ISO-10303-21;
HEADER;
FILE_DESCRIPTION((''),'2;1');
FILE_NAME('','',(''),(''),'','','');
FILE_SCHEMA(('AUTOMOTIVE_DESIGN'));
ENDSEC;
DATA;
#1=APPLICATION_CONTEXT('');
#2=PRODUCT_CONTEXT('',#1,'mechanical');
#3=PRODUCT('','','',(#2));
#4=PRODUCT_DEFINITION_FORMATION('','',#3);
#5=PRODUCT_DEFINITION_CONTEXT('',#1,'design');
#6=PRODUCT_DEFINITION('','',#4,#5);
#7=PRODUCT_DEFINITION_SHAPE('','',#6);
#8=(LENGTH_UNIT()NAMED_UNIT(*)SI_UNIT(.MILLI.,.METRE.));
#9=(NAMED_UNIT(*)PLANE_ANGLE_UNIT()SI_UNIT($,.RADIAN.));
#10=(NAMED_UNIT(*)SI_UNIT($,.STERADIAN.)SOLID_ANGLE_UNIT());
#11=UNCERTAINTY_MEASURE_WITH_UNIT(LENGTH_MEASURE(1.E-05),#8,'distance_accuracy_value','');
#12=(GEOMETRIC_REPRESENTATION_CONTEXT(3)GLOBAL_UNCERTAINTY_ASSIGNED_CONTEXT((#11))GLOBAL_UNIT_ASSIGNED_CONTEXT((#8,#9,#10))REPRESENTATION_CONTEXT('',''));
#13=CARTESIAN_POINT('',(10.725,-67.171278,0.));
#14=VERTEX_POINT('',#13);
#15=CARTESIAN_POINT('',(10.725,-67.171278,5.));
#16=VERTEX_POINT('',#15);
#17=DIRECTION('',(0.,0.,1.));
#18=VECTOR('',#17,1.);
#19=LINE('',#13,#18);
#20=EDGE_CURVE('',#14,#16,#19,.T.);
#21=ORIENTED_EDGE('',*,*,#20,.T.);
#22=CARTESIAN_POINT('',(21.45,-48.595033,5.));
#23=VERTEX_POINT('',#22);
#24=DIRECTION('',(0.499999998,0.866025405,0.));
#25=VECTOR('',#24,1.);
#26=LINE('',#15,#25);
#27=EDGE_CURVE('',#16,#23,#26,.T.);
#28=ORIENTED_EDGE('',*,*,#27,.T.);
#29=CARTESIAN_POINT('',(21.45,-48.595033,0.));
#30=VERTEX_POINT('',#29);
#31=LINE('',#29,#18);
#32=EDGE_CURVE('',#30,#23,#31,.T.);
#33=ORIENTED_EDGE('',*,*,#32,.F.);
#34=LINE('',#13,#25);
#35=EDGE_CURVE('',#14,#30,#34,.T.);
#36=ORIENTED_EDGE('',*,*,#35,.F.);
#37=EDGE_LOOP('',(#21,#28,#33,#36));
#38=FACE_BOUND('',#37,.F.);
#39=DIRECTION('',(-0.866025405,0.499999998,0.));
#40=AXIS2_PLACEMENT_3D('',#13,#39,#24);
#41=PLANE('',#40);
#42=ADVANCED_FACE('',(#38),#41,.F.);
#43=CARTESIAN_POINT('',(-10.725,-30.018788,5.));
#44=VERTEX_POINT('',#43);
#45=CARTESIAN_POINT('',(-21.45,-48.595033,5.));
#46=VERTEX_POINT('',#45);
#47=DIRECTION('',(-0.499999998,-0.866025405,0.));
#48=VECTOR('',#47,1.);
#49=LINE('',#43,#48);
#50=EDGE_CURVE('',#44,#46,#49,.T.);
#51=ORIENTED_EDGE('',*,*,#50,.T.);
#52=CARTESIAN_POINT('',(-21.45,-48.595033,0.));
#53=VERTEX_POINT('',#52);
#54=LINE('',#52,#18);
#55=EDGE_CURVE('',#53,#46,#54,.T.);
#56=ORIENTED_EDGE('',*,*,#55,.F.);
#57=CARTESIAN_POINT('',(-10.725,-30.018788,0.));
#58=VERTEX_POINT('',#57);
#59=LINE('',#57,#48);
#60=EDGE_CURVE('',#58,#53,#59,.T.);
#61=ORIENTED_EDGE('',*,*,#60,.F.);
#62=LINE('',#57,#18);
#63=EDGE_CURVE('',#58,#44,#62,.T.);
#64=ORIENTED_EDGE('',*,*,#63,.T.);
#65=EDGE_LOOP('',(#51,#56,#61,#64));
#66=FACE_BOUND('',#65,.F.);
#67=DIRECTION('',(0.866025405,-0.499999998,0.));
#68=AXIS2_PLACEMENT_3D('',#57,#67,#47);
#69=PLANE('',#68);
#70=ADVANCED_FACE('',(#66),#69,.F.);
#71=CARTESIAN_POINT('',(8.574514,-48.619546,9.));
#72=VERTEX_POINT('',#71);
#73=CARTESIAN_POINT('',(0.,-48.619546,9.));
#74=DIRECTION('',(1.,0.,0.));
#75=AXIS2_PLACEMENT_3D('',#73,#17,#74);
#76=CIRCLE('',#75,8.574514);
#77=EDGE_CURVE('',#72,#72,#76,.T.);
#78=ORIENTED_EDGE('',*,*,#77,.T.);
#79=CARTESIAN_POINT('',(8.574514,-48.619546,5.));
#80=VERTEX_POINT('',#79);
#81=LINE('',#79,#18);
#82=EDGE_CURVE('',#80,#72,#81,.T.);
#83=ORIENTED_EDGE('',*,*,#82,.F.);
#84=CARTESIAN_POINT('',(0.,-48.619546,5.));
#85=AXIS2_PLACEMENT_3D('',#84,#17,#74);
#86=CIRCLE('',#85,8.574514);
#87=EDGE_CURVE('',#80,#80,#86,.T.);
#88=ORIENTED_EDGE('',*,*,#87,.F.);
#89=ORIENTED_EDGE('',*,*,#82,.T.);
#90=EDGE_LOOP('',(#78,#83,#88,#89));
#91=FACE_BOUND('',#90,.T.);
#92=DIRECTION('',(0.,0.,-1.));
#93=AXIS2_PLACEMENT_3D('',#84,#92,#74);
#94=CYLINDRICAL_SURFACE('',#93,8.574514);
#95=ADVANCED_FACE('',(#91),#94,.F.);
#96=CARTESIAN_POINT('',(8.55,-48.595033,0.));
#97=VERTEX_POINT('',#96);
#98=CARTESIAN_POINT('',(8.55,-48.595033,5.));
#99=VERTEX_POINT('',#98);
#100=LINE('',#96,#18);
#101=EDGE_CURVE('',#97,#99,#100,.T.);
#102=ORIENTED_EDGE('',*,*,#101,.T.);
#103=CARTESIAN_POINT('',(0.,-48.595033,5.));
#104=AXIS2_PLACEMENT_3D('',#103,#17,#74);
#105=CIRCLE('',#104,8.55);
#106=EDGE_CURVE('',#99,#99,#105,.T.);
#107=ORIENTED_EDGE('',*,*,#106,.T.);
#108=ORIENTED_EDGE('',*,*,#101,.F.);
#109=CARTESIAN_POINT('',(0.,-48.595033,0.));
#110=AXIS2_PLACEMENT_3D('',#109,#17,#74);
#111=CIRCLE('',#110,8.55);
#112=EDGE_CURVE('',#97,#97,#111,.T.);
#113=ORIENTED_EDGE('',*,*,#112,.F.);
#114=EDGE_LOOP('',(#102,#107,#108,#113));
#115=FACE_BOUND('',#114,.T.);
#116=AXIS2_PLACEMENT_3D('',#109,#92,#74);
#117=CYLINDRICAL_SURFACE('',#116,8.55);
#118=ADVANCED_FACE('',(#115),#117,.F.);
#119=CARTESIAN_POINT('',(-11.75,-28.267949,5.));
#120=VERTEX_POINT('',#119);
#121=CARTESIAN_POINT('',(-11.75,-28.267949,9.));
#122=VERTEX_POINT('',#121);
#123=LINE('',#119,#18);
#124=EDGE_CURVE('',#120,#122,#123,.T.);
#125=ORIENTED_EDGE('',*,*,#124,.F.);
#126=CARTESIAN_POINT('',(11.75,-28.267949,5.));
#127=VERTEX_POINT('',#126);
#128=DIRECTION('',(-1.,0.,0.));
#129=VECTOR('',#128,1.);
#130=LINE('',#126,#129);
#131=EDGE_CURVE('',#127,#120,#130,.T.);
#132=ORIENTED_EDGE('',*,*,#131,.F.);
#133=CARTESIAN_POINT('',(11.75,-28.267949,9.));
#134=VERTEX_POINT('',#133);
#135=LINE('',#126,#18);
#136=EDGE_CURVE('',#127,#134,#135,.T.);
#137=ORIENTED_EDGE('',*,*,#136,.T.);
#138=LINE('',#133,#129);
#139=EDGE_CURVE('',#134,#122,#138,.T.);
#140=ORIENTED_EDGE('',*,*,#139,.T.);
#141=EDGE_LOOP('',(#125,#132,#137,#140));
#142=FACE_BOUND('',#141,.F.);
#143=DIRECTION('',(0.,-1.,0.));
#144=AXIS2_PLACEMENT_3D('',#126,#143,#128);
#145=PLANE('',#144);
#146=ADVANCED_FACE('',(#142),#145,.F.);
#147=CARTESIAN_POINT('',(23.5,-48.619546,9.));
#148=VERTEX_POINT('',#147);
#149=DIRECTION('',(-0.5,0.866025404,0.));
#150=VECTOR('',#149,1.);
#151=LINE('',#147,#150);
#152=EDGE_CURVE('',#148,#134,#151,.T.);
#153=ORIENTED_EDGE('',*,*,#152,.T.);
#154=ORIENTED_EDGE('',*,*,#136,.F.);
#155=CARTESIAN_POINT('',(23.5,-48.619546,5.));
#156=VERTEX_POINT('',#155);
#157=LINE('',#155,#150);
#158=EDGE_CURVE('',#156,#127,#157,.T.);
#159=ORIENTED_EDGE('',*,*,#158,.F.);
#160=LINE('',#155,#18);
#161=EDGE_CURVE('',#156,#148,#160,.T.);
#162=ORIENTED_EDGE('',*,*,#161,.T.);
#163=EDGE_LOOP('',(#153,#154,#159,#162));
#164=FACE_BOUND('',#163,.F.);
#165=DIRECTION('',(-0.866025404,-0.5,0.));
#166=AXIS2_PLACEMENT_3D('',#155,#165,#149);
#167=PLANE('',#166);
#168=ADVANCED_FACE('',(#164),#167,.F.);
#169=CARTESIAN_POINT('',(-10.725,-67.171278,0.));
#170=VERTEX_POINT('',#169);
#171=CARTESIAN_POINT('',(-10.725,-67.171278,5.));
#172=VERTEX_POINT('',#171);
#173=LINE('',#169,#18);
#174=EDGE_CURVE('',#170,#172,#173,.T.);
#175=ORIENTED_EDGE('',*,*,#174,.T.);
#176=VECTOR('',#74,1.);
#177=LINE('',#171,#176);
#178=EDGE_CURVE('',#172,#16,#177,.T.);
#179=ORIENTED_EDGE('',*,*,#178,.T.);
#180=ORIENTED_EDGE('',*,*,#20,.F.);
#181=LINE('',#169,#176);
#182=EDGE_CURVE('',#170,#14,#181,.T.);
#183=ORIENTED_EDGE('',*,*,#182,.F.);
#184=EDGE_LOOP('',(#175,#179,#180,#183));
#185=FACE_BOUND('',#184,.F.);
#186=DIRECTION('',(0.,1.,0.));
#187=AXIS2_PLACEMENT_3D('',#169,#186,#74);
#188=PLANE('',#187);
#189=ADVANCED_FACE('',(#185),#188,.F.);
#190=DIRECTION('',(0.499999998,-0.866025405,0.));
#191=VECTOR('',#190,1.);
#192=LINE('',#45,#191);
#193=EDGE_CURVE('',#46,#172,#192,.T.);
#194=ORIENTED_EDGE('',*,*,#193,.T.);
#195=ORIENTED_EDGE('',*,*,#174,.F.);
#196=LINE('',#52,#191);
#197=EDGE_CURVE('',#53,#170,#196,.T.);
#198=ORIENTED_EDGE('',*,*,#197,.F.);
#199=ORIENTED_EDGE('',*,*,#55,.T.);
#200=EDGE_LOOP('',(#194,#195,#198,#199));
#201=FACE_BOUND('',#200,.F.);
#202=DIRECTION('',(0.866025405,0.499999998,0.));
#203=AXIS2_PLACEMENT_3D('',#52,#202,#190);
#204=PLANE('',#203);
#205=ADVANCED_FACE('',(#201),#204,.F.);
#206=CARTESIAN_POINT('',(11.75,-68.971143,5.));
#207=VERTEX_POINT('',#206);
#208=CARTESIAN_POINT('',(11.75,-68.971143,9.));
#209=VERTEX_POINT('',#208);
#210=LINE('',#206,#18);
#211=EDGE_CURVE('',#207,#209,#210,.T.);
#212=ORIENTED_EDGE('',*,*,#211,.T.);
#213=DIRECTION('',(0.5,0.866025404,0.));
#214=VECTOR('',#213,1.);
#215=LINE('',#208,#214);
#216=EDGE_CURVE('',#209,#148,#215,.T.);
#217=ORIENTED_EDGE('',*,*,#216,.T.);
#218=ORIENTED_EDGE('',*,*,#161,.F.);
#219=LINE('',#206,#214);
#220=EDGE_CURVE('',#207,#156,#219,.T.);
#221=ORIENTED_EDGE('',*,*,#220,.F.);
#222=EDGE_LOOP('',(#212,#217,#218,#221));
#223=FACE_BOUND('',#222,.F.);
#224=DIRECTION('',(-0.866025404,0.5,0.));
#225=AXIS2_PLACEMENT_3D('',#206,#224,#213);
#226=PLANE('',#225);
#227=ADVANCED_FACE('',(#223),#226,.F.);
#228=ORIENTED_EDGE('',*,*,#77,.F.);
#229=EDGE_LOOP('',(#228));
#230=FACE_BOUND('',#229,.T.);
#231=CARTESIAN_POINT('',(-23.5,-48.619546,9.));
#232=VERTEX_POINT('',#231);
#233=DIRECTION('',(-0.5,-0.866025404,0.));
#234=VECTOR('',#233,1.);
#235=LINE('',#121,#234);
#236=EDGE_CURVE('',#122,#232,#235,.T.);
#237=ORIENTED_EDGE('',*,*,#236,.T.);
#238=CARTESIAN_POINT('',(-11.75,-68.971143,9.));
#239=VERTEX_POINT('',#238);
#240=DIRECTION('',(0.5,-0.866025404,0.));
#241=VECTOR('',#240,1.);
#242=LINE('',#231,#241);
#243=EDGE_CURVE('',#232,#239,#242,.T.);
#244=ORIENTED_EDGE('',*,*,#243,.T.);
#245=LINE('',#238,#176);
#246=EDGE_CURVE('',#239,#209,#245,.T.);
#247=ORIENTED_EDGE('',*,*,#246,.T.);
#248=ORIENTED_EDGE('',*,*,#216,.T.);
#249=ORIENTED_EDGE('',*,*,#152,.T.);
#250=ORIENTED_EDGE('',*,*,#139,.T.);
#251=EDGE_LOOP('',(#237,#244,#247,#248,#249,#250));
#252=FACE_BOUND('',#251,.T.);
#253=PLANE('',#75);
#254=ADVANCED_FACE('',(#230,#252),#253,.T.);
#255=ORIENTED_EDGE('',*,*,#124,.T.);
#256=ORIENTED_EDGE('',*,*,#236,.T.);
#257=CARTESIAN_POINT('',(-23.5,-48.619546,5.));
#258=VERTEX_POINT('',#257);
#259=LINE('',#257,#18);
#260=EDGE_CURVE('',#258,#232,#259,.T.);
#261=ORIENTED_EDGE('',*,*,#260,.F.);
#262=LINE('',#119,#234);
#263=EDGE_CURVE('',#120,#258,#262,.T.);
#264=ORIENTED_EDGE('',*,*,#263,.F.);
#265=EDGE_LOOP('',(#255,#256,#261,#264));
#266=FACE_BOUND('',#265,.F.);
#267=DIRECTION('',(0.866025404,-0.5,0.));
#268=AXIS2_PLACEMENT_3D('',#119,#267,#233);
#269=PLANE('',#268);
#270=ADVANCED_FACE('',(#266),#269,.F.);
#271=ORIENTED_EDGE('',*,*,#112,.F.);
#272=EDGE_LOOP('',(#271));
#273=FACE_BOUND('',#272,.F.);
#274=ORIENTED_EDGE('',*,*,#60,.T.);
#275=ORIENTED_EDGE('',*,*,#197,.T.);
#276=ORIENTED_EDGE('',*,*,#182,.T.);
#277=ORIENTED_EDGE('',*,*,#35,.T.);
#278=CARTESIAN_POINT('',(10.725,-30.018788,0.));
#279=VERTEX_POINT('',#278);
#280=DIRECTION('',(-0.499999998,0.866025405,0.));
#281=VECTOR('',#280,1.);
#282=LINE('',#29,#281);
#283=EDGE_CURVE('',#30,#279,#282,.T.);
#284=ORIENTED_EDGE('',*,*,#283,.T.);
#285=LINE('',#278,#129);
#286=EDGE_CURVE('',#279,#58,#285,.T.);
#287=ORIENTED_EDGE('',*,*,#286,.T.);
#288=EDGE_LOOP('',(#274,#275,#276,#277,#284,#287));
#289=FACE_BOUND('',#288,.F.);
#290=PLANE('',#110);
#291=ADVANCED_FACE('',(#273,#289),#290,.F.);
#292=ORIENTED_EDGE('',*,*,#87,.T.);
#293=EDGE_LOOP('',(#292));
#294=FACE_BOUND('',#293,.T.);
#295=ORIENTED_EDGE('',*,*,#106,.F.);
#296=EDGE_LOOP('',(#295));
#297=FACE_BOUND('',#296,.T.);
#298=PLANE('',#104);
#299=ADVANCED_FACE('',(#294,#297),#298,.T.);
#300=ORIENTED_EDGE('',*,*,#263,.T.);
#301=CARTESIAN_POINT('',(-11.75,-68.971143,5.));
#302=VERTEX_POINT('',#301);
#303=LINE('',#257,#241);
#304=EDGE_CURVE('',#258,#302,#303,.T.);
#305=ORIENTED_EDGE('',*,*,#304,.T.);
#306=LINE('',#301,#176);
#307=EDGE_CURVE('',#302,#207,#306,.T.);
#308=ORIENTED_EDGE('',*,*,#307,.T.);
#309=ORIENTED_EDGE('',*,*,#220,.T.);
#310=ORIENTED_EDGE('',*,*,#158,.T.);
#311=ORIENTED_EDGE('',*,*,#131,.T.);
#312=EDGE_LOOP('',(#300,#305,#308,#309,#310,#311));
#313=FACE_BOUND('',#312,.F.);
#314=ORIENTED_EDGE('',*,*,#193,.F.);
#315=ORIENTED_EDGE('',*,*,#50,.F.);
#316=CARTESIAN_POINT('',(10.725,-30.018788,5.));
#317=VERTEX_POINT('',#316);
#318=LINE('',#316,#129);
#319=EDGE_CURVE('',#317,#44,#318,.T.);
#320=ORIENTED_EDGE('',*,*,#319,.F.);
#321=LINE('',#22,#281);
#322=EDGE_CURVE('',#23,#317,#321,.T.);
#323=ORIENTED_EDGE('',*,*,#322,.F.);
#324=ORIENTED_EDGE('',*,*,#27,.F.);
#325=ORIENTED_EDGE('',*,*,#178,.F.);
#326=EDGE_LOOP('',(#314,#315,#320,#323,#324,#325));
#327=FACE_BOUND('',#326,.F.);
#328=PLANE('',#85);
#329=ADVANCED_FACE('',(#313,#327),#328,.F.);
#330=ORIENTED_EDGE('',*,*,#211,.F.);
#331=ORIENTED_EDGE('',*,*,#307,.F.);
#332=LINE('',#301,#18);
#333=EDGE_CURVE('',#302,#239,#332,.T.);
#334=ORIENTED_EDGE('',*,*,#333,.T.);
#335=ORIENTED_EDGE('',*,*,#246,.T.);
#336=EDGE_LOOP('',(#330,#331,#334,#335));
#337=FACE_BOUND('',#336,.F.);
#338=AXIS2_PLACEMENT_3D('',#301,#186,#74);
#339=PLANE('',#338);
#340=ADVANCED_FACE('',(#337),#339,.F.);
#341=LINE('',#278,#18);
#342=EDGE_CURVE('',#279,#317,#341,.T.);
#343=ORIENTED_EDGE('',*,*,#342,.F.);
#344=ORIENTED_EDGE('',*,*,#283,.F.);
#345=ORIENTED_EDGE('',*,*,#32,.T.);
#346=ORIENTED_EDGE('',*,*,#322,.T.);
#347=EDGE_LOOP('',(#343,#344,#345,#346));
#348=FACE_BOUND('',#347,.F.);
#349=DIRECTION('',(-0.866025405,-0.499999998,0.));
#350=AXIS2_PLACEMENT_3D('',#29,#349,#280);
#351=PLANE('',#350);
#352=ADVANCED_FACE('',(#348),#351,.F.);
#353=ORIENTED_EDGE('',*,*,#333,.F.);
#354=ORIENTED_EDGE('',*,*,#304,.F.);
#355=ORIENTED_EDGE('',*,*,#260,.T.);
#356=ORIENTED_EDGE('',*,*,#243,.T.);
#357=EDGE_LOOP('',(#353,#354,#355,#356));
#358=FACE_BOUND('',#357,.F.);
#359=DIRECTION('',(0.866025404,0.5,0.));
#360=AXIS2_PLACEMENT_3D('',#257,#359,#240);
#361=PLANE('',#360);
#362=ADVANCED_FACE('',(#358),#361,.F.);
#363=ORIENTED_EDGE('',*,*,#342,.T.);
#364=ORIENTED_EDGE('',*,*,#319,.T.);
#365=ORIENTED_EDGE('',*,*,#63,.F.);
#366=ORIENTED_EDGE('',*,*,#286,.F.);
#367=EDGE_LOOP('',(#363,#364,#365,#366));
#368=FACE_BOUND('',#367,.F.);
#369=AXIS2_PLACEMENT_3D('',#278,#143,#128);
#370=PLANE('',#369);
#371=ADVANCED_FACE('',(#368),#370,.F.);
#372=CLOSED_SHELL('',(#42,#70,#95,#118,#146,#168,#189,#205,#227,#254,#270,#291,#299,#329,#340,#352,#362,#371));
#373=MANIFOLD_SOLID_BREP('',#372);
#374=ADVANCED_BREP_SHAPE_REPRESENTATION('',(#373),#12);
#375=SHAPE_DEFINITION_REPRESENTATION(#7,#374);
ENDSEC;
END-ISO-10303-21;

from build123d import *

# Parameters (mm, degrees)
SKETCH001_R  = 8.55
PAD001_DEPTH = 5
SKETCH002_R  = 8.574514
PAD_DEPTH    = 4


with BuildPart() as part:
    # Sketch001 → Pad001 (new body)
    with BuildSketch(Plane.XY):
        Polygon((21.45, -48.595033), (10.725, -30.018788), (-10.725, -30.018788), (-21.45, -48.595033), (-10.725, -67.171278), (10.725, -67.171278), align=None)
        with Locations((0, -48.595033)):
            Circle(SKETCH001_R, mode=Mode.SUBTRACT)
    extrude(amount=PAD001_DEPTH)

    # Sketch002 → Pad (join)
    with BuildSketch(Plane.XY.offset(5)):
        Polygon((23.5, -48.619546), (11.75, -28.267949), (-11.75, -28.267949), (-23.5, -48.619546), (-11.75, -68.971143), (11.75, -68.971143), align=None)
        with Locations((0, -48.619546)):
            Circle(SKETCH002_R, mode=Mode.SUBTRACT)
    extrude(amount=PAD_DEPTH)


solid = part.part
